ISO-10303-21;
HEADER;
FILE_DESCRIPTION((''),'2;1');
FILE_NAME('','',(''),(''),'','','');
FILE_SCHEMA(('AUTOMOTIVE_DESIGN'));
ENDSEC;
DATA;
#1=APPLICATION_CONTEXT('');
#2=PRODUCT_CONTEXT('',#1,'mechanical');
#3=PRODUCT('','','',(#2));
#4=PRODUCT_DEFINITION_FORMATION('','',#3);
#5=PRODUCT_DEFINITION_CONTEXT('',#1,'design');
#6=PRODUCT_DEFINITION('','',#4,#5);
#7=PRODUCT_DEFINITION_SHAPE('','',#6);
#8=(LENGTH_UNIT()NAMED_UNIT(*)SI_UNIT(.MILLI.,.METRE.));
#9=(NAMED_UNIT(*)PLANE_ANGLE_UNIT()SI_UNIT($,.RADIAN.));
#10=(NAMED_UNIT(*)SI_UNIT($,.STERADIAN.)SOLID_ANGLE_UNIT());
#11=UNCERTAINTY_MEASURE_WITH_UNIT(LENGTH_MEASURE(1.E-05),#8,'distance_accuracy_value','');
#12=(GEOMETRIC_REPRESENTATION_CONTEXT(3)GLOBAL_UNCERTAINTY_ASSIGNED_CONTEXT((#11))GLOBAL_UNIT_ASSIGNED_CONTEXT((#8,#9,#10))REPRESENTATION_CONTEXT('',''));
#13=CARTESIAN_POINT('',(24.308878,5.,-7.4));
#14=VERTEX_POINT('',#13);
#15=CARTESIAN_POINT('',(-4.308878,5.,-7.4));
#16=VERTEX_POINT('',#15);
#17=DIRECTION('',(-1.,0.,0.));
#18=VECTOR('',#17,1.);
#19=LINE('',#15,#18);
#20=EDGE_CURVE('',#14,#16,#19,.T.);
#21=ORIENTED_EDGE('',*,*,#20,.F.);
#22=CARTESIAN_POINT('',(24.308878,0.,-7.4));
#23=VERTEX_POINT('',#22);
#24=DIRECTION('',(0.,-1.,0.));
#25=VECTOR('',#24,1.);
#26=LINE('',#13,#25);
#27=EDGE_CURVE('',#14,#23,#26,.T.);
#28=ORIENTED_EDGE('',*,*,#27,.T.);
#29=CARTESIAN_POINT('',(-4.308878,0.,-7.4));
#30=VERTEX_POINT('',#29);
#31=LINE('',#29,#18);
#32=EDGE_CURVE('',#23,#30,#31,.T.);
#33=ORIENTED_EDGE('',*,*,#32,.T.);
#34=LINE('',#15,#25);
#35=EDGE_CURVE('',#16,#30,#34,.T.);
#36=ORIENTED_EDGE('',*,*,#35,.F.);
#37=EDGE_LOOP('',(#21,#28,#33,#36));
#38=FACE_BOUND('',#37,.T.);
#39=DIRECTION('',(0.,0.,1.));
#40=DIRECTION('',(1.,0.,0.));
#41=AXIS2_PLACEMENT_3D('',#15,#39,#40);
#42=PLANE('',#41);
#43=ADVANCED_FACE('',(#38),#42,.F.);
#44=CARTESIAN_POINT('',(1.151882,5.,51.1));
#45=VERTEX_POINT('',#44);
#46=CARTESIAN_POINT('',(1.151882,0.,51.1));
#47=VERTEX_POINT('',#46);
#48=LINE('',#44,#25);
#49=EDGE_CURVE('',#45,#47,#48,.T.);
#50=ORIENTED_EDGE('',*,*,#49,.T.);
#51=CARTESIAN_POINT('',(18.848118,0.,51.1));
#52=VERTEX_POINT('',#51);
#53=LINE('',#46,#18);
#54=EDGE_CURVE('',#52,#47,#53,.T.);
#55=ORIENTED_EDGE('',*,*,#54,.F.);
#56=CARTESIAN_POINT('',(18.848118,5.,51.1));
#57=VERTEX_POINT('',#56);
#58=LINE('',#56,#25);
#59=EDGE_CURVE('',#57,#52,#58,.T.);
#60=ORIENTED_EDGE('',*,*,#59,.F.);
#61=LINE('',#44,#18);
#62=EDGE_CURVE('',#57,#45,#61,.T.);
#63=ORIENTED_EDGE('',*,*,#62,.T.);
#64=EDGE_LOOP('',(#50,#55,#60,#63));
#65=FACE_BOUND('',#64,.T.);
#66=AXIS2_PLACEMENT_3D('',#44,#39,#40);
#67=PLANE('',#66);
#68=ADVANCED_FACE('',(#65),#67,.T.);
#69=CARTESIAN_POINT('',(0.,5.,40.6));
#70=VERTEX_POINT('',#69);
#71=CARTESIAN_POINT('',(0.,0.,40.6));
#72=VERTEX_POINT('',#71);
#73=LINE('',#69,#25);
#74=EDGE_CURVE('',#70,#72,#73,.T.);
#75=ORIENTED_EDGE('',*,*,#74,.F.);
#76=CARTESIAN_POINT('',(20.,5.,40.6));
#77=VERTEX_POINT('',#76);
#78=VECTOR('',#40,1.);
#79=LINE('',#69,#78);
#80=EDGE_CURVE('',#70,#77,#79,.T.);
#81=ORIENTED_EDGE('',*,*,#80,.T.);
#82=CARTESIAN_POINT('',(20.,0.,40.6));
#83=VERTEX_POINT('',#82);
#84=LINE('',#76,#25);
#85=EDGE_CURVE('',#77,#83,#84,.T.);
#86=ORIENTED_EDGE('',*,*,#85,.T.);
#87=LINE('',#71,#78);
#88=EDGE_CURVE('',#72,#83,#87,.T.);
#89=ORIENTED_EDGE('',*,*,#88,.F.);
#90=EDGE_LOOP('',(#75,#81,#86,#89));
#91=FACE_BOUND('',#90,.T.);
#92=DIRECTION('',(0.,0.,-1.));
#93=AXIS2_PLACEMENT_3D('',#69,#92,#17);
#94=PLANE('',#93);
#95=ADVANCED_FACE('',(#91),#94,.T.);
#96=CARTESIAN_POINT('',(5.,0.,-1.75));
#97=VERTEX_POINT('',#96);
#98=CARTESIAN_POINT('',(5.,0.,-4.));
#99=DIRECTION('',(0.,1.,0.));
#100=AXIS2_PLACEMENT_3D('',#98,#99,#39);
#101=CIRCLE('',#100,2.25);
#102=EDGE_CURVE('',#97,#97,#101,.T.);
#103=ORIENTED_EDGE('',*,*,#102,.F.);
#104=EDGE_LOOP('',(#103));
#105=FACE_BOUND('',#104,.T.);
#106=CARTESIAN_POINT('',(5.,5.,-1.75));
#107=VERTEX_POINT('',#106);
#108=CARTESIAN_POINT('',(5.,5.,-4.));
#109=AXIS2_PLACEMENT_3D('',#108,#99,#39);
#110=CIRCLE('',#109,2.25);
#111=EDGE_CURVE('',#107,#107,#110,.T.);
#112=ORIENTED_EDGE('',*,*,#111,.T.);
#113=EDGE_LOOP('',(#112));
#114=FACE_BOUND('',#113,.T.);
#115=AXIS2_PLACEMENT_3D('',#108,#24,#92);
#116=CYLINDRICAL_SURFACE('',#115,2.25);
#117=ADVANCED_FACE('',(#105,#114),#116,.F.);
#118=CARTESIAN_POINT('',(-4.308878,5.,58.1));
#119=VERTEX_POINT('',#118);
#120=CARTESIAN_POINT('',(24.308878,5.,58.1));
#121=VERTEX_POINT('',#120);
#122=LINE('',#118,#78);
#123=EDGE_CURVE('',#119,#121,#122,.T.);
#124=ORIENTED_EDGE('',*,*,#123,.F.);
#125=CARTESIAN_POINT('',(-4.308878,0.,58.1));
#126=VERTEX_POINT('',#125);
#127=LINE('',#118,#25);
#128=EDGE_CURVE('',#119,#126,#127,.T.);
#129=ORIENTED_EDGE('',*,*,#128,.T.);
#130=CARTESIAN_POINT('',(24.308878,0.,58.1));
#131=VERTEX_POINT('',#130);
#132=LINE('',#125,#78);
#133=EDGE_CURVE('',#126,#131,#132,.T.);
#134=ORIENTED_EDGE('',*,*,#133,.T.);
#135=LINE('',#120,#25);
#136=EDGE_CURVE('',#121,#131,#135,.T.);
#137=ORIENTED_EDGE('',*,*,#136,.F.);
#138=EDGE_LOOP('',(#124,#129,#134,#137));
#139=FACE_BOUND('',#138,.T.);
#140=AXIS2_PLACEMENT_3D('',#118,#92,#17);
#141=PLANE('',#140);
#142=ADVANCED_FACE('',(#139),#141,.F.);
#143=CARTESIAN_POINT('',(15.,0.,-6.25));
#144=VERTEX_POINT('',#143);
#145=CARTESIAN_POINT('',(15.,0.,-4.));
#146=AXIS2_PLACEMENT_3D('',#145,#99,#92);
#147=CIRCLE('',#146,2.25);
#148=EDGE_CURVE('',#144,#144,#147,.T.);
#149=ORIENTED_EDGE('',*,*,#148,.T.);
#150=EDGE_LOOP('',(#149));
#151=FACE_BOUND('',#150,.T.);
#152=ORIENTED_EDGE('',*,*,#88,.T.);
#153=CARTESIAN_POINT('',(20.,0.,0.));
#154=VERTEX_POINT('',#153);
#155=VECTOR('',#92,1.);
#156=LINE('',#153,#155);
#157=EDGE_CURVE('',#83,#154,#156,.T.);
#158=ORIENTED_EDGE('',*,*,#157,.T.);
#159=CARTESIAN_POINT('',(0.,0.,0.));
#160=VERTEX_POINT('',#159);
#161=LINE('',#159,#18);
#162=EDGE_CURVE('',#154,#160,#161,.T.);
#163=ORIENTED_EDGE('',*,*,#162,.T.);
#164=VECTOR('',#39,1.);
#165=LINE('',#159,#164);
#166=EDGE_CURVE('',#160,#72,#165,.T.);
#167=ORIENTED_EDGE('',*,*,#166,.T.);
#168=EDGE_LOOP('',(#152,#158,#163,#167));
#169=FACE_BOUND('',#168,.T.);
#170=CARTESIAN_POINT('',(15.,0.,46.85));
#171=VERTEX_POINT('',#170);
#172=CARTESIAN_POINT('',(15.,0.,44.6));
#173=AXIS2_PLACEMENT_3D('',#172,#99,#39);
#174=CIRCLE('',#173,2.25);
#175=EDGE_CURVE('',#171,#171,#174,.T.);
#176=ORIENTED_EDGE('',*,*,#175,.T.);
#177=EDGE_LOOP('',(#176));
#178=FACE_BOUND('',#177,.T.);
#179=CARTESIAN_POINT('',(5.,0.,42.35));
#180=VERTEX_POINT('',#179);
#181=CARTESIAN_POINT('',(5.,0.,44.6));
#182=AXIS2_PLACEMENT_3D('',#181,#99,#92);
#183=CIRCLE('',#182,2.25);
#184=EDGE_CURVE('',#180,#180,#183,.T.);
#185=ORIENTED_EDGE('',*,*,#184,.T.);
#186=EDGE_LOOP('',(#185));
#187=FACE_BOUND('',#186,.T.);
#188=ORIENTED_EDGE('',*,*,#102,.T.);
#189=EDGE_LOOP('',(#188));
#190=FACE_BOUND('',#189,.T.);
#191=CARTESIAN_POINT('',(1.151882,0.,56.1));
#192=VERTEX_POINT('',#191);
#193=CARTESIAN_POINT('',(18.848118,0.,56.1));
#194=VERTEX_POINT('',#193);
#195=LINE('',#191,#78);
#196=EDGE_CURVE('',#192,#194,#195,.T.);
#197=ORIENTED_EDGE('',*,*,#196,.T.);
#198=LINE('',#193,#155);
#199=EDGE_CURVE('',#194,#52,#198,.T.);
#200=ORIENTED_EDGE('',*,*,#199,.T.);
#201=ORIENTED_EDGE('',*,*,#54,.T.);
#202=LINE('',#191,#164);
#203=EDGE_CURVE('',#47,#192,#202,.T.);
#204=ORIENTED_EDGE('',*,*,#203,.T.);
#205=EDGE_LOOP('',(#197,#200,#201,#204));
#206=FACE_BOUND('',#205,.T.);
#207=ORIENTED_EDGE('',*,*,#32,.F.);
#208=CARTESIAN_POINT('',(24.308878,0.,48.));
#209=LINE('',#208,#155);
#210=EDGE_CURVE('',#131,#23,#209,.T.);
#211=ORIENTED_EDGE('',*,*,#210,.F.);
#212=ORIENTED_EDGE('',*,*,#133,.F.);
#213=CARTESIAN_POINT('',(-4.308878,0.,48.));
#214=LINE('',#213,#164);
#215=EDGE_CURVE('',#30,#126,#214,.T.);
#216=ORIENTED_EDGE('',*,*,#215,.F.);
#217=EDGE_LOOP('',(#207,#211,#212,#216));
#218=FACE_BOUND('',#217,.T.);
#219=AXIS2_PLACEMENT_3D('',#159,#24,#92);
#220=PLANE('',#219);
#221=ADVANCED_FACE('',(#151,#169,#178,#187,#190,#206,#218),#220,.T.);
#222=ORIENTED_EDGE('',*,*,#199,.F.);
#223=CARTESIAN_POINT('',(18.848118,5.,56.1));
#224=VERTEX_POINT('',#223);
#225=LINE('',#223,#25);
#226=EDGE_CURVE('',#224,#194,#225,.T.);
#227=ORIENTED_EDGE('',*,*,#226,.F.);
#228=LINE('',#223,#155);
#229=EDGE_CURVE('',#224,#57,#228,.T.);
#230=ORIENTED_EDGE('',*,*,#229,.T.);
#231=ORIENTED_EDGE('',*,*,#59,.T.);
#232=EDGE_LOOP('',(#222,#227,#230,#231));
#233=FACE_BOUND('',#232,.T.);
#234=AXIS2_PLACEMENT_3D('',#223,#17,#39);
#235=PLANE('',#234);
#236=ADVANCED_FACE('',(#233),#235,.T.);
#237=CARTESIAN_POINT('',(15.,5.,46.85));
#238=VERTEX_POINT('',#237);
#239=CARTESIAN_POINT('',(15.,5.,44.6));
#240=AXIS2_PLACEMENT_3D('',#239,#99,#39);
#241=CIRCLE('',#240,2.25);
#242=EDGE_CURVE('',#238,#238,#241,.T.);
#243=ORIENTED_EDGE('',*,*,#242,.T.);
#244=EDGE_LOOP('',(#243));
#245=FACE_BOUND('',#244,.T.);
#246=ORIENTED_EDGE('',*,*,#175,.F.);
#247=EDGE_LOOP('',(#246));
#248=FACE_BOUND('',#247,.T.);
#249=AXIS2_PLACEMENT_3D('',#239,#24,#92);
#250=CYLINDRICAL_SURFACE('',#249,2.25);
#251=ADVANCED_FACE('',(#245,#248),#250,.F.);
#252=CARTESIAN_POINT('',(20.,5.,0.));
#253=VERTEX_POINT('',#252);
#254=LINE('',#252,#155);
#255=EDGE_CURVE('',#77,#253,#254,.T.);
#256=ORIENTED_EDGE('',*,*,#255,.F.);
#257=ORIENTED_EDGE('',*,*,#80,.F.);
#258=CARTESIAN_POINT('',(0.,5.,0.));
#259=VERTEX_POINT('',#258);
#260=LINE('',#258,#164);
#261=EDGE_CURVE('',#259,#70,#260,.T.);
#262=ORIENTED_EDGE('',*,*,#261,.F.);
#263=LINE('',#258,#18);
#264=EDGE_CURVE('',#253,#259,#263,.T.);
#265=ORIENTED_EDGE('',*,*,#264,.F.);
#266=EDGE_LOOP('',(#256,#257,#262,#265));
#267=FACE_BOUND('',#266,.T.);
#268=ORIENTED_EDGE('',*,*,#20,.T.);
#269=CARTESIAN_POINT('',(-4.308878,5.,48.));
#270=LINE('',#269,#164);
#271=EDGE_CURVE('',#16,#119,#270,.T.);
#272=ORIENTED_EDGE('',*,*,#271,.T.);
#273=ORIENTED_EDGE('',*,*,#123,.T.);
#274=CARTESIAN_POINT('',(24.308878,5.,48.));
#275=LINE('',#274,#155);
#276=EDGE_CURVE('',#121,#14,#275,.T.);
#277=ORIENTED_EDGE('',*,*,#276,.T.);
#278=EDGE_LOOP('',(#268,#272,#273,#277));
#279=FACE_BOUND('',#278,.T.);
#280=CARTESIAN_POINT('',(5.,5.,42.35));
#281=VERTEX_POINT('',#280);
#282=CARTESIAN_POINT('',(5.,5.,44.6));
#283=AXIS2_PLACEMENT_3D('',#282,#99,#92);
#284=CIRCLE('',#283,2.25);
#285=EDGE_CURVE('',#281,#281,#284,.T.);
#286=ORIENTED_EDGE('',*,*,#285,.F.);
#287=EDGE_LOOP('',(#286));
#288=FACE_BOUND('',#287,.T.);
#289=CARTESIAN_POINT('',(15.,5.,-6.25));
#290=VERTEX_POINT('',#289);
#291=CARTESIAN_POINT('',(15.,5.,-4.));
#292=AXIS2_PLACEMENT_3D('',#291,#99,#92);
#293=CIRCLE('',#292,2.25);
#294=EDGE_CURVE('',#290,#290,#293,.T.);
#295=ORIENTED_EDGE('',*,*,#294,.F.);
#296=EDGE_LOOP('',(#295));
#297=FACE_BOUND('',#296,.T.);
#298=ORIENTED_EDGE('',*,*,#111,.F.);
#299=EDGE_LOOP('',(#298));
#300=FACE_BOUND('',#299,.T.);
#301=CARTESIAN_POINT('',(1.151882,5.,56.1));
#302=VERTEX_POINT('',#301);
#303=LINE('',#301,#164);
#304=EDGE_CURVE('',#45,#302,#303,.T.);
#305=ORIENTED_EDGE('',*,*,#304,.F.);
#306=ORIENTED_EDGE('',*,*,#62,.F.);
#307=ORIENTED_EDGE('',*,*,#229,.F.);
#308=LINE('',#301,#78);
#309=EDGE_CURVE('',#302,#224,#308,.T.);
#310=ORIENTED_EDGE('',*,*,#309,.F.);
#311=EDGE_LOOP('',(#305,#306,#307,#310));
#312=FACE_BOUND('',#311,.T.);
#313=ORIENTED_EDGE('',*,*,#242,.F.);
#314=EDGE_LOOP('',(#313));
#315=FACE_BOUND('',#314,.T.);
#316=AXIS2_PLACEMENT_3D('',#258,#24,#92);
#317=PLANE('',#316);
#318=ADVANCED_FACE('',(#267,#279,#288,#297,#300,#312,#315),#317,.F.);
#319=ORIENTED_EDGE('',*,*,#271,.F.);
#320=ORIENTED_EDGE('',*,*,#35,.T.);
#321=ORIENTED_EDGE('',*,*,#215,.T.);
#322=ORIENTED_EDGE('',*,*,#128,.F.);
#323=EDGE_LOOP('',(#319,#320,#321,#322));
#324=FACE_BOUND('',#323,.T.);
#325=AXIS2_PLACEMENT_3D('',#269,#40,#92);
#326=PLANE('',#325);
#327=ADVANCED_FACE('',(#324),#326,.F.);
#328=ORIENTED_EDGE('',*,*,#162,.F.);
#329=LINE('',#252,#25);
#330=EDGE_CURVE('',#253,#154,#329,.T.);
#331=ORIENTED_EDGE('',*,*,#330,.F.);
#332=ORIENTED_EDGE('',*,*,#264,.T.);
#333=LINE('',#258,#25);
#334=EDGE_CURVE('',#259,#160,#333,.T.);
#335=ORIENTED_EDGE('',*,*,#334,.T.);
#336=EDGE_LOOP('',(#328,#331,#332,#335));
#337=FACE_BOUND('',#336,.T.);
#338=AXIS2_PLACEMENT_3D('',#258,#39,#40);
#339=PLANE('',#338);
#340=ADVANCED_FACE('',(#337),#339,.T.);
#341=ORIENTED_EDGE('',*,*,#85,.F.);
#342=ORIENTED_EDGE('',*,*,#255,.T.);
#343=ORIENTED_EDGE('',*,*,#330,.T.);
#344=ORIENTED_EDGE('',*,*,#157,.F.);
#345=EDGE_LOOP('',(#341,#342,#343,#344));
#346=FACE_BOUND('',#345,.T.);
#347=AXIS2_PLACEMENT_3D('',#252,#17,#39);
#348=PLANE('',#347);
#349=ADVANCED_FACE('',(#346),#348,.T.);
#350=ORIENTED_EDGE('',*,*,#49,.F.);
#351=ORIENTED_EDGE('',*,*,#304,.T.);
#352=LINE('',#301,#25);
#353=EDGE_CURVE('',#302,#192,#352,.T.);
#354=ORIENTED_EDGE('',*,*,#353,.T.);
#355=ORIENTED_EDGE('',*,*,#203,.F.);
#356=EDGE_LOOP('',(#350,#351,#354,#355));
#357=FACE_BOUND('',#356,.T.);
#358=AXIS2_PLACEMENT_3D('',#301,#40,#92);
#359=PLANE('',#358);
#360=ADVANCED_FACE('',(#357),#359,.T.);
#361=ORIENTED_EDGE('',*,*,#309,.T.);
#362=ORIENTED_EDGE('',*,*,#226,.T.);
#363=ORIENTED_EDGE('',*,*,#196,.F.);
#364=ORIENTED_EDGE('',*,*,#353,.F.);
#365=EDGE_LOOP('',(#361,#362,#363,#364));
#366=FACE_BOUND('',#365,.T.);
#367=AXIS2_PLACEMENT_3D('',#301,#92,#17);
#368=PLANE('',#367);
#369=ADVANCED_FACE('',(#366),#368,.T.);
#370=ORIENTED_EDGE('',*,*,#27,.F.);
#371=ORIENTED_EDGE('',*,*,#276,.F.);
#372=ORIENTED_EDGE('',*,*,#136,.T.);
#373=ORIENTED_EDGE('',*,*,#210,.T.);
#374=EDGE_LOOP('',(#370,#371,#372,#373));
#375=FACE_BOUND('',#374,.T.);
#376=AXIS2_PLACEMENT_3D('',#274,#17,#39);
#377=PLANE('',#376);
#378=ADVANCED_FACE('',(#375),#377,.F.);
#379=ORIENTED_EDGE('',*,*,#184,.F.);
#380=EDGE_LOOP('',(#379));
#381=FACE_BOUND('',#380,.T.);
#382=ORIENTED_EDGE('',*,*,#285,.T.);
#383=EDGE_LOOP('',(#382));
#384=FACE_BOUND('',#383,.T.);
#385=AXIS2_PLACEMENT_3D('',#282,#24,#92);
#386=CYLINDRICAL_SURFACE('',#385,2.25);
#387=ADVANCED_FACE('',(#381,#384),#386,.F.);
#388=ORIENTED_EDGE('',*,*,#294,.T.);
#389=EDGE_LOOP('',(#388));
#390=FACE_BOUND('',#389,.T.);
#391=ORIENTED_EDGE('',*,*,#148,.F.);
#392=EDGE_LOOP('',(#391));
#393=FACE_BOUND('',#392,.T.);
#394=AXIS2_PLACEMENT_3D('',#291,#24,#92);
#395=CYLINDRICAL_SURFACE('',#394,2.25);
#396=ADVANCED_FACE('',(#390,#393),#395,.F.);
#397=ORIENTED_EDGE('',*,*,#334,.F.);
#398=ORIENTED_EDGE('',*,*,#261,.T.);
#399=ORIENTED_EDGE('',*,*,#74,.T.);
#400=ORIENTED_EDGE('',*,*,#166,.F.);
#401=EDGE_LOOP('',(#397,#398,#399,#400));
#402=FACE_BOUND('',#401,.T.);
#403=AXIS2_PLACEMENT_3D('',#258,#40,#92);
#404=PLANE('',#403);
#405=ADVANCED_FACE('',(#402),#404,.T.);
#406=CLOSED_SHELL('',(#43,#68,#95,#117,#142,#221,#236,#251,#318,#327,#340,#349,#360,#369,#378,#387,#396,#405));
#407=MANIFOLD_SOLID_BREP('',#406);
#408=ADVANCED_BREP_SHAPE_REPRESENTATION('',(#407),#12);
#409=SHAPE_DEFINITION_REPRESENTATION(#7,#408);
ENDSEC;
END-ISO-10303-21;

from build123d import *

# Parameters (mm, degrees)
SKETCH1_R           = 2.25
SKETCH1_W           = 20
SKETCH1_H           = 40.6
SKETCH1_W_2         = 17.696235852
SKETCH1_H_2         = 5
BOSS_EXTRUDE1_DEPTH = 5


with BuildPart() as part:
    # Sketch1 → Boss-Extrude1 (new body)
    with BuildSketch(Plane(origin=(0, 0, 0), x_dir=(1, 0, 0), z_dir=(0, 1, 0))):
        Polygon((-4.308878206, -48), (-4.308878206, 7.4), (24.308878206, 7.4), (24.308878206, -48), (24.308878206, -58.1), (-4.308878206, -58.1), align=None)
        with Locations(Location((5, 4, 0), (0, 0, 270))):
            Circle(SKETCH1_R, mode=Mode.SUBTRACT)
        with Locations(Location((15, 4, 0), (0, 0, 90))):
            Circle(SKETCH1_R, mode=Mode.SUBTRACT)
        with Locations(Location((5, -44.6, 0), (0, 0, 90))):
            Circle(SKETCH1_R, mode=Mode.SUBTRACT)
        with Locations(Location((15, -44.6, 0), (0, 0, 270))):
            Circle(SKETCH1_R, mode=Mode.SUBTRACT)
        with Locations((10, -20.3)):
            Rectangle(SKETCH1_W, SKETCH1_H, mode=Mode.SUBTRACT)
        with Locations((10, -53.6)):
            Rectangle(SKETCH1_W_2, SKETCH1_H_2, mode=Mode.SUBTRACT)
    extrude(amount=BOSS_EXTRUDE1_DEPTH)


solid = part.part
